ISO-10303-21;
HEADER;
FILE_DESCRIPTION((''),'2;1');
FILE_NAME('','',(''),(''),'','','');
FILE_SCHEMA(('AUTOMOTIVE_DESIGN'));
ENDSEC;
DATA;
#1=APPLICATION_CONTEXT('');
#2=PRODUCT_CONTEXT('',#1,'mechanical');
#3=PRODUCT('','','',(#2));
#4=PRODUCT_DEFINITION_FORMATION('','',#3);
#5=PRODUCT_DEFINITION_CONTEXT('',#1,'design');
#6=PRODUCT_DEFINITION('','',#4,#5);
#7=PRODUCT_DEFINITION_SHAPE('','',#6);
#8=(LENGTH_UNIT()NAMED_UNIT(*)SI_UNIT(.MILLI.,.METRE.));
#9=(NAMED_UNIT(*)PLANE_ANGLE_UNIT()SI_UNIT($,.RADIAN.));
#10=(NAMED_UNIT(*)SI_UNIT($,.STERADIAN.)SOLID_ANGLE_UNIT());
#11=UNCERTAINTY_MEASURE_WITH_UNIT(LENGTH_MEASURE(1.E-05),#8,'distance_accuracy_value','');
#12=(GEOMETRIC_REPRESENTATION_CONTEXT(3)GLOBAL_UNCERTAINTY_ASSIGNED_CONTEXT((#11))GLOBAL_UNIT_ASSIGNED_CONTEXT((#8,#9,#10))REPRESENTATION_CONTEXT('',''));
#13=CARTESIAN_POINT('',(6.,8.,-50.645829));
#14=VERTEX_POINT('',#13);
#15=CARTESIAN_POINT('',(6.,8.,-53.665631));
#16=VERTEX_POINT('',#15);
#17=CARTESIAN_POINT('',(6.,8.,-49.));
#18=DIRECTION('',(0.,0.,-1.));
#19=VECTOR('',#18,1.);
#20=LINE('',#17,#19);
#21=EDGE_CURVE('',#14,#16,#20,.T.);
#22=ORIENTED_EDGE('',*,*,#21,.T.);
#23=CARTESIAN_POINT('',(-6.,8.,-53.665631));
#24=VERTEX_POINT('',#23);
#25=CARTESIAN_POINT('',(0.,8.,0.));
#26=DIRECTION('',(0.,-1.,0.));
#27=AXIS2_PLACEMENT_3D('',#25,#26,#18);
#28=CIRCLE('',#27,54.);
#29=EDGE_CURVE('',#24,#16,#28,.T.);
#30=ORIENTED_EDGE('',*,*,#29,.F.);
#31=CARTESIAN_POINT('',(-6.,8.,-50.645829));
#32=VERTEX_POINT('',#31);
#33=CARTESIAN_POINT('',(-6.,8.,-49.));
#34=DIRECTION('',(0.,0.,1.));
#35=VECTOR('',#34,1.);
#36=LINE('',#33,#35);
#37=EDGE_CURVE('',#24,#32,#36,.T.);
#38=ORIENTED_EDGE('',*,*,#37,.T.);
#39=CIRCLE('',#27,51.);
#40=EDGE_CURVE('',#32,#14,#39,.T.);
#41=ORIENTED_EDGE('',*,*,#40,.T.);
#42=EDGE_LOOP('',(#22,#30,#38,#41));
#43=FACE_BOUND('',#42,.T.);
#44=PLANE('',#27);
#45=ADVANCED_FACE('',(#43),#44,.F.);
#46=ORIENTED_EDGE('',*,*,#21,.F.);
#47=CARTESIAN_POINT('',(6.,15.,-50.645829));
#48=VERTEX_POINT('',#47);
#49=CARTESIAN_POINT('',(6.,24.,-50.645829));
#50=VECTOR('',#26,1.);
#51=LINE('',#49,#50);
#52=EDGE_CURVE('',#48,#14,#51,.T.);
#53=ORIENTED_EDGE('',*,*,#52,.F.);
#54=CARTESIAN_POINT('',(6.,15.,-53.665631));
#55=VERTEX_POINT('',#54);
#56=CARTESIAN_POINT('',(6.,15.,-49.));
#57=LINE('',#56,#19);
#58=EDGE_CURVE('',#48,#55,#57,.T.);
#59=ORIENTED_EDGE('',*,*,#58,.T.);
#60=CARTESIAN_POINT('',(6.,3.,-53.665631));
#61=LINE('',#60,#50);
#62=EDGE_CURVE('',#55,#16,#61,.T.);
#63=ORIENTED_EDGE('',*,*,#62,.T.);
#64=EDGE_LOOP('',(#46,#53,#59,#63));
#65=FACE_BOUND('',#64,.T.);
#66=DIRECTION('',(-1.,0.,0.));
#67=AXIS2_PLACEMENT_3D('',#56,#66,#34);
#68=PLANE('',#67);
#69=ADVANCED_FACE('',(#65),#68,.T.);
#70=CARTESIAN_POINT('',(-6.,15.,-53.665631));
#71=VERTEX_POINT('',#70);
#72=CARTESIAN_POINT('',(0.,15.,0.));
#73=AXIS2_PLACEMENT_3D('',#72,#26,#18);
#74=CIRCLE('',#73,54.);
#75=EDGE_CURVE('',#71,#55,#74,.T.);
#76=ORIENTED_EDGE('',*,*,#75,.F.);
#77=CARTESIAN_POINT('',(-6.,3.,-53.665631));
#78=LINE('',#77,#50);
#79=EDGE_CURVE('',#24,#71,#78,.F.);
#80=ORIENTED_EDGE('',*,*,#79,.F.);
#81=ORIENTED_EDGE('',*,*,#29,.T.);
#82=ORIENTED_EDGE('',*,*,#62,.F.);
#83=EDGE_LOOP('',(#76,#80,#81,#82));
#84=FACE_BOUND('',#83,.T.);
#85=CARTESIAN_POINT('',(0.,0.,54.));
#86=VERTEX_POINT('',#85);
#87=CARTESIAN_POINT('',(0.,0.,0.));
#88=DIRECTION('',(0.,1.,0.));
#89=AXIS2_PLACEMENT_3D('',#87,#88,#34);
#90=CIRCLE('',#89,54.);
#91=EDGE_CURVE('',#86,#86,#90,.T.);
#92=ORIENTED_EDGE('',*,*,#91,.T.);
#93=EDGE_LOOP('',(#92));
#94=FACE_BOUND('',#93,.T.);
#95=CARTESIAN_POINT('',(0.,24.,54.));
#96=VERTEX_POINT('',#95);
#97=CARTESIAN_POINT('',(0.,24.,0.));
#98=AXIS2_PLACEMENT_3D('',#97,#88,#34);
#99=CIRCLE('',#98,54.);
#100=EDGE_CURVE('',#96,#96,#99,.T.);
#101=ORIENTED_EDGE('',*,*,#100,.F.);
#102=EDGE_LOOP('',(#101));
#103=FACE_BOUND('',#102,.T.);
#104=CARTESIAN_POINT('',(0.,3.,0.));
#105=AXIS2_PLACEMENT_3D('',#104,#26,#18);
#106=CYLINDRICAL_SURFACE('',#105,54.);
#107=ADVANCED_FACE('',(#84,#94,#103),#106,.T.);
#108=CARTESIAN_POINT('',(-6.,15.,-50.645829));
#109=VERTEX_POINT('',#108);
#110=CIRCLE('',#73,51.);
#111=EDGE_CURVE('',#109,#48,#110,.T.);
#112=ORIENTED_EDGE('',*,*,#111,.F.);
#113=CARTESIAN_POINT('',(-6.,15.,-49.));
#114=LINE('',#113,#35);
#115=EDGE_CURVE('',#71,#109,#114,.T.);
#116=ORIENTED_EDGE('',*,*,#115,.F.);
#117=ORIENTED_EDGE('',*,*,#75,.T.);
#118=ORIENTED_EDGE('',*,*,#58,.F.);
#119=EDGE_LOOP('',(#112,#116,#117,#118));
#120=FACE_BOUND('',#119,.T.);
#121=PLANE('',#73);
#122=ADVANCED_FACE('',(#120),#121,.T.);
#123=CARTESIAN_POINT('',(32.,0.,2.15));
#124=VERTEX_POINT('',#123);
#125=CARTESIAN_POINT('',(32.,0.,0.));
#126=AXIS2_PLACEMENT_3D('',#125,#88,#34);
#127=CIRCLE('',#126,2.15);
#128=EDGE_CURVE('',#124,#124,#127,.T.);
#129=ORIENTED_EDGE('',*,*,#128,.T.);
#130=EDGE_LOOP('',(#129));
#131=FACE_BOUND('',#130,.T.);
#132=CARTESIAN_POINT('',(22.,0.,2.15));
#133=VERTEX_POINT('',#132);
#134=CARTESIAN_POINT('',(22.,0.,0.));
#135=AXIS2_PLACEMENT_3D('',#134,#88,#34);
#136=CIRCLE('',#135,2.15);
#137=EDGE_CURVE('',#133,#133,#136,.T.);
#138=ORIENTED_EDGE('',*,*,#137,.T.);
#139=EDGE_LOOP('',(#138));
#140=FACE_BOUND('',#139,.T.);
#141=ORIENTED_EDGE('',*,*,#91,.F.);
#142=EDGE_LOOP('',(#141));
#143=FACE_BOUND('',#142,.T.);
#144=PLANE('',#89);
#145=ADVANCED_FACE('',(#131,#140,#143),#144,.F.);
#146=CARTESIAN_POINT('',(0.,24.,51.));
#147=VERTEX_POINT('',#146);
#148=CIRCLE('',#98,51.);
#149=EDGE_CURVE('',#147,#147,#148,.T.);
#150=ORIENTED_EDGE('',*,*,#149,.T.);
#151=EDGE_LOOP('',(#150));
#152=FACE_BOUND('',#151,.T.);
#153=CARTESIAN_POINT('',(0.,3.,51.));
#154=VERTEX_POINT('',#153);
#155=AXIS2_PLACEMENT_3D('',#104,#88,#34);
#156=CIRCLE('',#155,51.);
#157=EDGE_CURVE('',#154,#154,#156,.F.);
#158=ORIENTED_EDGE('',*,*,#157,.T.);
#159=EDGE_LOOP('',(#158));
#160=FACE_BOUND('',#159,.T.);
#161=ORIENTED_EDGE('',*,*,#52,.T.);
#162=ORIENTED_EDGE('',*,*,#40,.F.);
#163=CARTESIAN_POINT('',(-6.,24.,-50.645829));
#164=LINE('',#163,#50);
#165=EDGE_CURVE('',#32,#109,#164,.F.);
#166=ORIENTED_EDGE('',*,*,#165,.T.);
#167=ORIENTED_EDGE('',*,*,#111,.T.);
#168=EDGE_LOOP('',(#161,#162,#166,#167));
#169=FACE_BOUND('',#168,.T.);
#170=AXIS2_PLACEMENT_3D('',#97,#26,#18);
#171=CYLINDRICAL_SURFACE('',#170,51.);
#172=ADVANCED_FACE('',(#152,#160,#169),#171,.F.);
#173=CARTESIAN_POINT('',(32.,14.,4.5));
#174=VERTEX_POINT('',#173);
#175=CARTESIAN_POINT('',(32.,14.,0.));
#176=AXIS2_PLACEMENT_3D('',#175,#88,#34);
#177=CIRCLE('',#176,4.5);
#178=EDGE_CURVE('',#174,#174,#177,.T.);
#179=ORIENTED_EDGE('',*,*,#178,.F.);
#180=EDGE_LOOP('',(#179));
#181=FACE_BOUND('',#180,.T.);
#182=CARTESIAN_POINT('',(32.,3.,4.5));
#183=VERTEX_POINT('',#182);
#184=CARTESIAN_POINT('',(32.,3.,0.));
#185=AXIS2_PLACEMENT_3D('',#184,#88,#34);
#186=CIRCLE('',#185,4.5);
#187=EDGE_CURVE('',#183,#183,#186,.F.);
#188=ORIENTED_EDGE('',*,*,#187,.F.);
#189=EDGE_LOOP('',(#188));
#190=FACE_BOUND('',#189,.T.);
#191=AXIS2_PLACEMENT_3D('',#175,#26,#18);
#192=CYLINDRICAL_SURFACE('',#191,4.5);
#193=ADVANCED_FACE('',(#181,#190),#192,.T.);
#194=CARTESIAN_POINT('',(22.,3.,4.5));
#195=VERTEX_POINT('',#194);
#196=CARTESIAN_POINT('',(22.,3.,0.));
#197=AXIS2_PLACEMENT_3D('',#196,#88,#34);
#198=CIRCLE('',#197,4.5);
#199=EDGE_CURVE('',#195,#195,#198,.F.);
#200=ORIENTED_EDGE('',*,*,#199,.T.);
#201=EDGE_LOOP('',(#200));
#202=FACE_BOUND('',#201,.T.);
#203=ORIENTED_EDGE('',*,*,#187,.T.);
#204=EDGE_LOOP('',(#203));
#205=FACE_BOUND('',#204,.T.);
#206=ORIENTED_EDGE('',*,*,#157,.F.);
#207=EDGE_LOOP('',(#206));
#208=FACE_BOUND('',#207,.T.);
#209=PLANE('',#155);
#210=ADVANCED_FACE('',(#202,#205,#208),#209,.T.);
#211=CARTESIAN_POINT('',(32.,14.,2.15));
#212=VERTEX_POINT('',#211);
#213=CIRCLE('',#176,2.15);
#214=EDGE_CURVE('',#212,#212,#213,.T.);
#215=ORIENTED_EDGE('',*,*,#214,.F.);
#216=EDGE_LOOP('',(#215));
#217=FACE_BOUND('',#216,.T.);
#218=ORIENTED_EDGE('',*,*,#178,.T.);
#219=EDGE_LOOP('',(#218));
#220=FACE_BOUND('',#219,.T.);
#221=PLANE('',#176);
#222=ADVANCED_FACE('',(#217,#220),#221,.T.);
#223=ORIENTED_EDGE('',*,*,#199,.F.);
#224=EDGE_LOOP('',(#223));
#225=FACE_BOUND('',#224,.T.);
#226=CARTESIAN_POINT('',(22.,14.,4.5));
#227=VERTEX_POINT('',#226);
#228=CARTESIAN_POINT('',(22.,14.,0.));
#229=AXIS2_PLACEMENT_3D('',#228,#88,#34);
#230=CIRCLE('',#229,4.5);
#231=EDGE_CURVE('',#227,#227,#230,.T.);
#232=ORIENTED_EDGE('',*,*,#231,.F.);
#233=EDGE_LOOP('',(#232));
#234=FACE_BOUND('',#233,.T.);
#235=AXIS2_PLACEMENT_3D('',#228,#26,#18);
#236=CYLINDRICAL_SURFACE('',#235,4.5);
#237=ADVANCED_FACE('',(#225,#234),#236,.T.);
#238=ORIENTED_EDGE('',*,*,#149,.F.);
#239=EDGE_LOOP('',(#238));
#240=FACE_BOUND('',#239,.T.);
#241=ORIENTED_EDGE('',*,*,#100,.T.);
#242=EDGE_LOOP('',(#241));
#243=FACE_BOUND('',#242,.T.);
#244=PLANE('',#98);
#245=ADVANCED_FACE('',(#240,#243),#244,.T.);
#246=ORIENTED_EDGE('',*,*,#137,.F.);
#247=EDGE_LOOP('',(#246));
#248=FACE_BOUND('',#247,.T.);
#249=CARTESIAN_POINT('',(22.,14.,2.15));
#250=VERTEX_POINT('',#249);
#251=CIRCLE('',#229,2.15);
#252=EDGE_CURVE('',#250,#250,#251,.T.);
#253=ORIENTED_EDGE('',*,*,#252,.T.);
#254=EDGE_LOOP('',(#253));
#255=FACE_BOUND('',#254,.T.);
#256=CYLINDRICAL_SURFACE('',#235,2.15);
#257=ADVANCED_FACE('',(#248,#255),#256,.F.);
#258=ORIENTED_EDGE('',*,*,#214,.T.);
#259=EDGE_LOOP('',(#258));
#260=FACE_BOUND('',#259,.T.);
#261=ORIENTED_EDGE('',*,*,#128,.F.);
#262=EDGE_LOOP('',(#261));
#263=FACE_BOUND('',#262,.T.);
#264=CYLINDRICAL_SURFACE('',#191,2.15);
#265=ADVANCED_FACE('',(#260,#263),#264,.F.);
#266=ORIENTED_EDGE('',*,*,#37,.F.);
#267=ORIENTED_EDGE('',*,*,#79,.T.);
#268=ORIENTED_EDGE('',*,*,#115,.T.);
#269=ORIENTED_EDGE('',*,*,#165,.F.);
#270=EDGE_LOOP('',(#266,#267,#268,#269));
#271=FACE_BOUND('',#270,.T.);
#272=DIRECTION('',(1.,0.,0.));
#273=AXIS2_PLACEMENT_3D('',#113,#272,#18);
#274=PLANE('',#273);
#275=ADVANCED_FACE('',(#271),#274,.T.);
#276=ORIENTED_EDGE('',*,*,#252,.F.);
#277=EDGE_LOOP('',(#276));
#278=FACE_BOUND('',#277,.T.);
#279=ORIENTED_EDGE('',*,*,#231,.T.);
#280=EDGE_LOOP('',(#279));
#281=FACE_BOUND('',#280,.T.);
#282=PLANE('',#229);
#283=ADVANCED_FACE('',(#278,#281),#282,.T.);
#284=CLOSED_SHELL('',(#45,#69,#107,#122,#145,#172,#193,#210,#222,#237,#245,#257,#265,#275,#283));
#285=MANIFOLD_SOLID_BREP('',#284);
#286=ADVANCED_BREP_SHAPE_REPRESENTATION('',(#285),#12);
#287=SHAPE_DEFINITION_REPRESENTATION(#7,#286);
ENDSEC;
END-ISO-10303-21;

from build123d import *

# Parameters (mm, degrees)
SKETCH_1_R                     = 54
FLOOR_D108_T3_DEPTH            = 3
SKETCH_2_R                     = 54
SKETCH_2_R_2                   = 51
RIM_OD108_ID102_H24_DEPTH      = 24
SKETCH_3_R                     = 4.5
SENSOR_FIXED_POSTS_DEPTH       = 14
SKETCH_4_R                     = 2.15
M4_FIXED_MOUNT_CLEARANCE_DEPTH = 14
SKETCH_5_W                     = 12
SKETCH_5_H                     = 11
USB_C_SIDE_OPENING_12X7_DEPTH  = 7


with BuildPart() as part:
    # 草图1 → Floor_D108_T3 (new body)
    with BuildSketch(Plane(origin=(0, 0, 0), x_dir=(1, 0, 0), z_dir=(0, 1, 0))):
        with Locations(Location((0, 0, 0), (0, 0, 270))):
            Circle(SKETCH_1_R)
    extrude(amount=FLOOR_D108_T3_DEPTH)

    # 草图2 → Rim_OD108_ID102_H24 (add)
    with BuildSketch(Plane(origin=(0, 0, 0), x_dir=(1, 0, 0), z_dir=(0, 1, 0))):
        with Locations(Location((0, 0, 0), (0, 0, 270))):
            Circle(SKETCH_2_R)
        with Locations(Location((0, 0, 0), (0, 0, 270))):
            Circle(SKETCH_2_R_2, mode=Mode.SUBTRACT)
    extrude(amount=RIM_OD108_ID102_H24_DEPTH)

    # 草图3 → Sensor_fixed_posts (add)
    with BuildSketch(Plane(origin=(0, 0, 0), x_dir=(1, 0, 0), z_dir=(0, 1, 0))):
        with Locations(Location((22, 0, 0), (0, 0, 270))):
            Circle(SKETCH_3_R)
        with Locations(Location((32, 0, 0), (0, 0, 270))):
            Circle(SKETCH_3_R)
    extrude(amount=SENSOR_FIXED_POSTS_DEPTH)

    # 草图4 → M4_fixed_mount_clearance (cut)
    with BuildSketch(Plane(origin=(0, 0, 0), x_dir=(1, 0, 0), z_dir=(0, 1, 0))):
        with Locations(Location((22, 0, 0), (0, 0, 270))):
            Circle(SKETCH_4_R)
        with Locations(Location((32, 0, 0), (0, 0, 270))):
            Circle(SKETCH_4_R)
    extrude(amount=M4_FIXED_MOUNT_CLEARANCE_DEPTH, mode=Mode.SUBTRACT)

    # 草图5 → USB_C_side_opening_12x7 (cut)
    with BuildSketch(Plane(origin=(0, 8, 0), x_dir=(1, 0, 0), z_dir=(0, 1, 0))):
        with Locations((0, 54.5)):
            Rectangle(SKETCH_5_W, SKETCH_5_H)
    extrude(amount=USB_C_SIDE_OPENING_12X7_DEPTH, mode=Mode.SUBTRACT)


solid = part.part
